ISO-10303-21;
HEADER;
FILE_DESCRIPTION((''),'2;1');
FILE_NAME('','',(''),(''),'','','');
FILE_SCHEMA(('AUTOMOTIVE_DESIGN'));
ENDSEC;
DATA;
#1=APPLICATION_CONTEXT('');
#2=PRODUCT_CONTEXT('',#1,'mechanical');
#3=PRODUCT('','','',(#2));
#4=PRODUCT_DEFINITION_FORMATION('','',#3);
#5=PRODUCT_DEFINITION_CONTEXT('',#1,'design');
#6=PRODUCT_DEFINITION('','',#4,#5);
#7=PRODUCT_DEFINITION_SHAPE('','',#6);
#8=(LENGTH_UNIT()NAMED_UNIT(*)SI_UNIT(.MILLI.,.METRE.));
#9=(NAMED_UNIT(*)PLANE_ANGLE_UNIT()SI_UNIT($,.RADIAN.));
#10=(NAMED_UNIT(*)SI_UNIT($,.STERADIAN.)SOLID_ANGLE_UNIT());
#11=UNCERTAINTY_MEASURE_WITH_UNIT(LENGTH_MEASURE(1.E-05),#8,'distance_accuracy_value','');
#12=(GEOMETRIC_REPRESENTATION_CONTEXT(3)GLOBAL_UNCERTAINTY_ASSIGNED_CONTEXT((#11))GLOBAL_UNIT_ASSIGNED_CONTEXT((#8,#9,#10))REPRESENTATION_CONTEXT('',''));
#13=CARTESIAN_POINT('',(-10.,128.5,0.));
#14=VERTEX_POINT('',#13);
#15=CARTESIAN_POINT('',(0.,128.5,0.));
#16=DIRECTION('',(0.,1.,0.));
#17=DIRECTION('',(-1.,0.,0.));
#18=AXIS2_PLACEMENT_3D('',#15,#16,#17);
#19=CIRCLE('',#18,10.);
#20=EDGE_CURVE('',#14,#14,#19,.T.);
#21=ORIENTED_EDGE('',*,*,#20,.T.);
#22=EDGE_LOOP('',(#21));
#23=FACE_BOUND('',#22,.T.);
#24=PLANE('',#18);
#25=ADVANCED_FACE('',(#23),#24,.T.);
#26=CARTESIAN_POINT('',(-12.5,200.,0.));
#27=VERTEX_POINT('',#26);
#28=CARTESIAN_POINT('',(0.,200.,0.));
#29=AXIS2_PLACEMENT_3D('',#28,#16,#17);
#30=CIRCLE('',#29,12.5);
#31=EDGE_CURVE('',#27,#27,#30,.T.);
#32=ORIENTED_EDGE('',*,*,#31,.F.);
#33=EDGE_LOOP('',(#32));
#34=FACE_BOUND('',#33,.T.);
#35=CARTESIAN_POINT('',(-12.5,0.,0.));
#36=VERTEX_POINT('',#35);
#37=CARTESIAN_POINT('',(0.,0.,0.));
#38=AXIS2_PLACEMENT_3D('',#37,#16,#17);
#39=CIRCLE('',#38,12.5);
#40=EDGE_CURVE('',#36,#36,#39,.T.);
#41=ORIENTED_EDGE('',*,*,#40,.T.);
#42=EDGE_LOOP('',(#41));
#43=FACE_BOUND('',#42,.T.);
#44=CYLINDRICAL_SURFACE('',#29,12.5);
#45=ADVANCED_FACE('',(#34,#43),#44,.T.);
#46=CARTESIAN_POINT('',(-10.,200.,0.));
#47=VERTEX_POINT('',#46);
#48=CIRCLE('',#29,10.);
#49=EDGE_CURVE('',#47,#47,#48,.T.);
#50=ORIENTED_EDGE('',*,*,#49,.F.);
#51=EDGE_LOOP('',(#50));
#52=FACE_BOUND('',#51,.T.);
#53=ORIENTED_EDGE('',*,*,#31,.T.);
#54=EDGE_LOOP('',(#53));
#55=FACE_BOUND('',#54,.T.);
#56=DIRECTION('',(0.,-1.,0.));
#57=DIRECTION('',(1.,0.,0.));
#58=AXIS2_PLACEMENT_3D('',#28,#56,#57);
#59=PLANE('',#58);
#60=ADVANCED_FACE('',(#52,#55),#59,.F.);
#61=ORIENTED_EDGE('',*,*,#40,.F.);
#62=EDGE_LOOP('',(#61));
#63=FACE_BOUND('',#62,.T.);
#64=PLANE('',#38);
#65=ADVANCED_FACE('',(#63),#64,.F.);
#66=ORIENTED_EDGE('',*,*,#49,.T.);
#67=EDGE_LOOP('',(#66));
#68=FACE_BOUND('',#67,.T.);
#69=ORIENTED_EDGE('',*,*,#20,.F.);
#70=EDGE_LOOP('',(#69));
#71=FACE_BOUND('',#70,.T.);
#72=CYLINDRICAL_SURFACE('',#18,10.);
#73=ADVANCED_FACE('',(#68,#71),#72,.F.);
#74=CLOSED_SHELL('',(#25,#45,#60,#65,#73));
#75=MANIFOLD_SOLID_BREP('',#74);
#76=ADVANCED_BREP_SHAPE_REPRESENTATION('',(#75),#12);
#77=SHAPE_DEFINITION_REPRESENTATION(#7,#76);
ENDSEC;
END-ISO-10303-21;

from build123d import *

# Parameters (mm, degrees)
SKETCH1_W          = 12.5
SKETCH1_H          = 200
SKETCH2_R          = 10
CUT_EXTRUDE1_DEPTH = 71.5


with BuildPart() as part:
    # Sketch1 → Revolve1 (revolve)
    with BuildSketch(Plane.XY, mode=Mode.PRIVATE) as revolve1_sk:
        with Locations((6.25, 100)):
            Rectangle(SKETCH1_W, SKETCH1_H)
    revolve(revolve1_sk.sketch.rotate(Axis((0, 200, 0), (0, -1, 0)), 180), axis=Axis((0, 200, 0), (0, -1, 0)))

    # Sketch2 → Cut-Extrude1 (cut)
    with BuildSketch(Plane(origin=(0, 200, 0), x_dir=(1, 0, 0), z_dir=(0, 1, 0))):
        with Locations(Location((0, 0, 0), (0, 0, 180))):
            Circle(SKETCH2_R)
    extrude(amount=-CUT_EXTRUDE1_DEPTH, mode=Mode.SUBTRACT)


solid = part.part
